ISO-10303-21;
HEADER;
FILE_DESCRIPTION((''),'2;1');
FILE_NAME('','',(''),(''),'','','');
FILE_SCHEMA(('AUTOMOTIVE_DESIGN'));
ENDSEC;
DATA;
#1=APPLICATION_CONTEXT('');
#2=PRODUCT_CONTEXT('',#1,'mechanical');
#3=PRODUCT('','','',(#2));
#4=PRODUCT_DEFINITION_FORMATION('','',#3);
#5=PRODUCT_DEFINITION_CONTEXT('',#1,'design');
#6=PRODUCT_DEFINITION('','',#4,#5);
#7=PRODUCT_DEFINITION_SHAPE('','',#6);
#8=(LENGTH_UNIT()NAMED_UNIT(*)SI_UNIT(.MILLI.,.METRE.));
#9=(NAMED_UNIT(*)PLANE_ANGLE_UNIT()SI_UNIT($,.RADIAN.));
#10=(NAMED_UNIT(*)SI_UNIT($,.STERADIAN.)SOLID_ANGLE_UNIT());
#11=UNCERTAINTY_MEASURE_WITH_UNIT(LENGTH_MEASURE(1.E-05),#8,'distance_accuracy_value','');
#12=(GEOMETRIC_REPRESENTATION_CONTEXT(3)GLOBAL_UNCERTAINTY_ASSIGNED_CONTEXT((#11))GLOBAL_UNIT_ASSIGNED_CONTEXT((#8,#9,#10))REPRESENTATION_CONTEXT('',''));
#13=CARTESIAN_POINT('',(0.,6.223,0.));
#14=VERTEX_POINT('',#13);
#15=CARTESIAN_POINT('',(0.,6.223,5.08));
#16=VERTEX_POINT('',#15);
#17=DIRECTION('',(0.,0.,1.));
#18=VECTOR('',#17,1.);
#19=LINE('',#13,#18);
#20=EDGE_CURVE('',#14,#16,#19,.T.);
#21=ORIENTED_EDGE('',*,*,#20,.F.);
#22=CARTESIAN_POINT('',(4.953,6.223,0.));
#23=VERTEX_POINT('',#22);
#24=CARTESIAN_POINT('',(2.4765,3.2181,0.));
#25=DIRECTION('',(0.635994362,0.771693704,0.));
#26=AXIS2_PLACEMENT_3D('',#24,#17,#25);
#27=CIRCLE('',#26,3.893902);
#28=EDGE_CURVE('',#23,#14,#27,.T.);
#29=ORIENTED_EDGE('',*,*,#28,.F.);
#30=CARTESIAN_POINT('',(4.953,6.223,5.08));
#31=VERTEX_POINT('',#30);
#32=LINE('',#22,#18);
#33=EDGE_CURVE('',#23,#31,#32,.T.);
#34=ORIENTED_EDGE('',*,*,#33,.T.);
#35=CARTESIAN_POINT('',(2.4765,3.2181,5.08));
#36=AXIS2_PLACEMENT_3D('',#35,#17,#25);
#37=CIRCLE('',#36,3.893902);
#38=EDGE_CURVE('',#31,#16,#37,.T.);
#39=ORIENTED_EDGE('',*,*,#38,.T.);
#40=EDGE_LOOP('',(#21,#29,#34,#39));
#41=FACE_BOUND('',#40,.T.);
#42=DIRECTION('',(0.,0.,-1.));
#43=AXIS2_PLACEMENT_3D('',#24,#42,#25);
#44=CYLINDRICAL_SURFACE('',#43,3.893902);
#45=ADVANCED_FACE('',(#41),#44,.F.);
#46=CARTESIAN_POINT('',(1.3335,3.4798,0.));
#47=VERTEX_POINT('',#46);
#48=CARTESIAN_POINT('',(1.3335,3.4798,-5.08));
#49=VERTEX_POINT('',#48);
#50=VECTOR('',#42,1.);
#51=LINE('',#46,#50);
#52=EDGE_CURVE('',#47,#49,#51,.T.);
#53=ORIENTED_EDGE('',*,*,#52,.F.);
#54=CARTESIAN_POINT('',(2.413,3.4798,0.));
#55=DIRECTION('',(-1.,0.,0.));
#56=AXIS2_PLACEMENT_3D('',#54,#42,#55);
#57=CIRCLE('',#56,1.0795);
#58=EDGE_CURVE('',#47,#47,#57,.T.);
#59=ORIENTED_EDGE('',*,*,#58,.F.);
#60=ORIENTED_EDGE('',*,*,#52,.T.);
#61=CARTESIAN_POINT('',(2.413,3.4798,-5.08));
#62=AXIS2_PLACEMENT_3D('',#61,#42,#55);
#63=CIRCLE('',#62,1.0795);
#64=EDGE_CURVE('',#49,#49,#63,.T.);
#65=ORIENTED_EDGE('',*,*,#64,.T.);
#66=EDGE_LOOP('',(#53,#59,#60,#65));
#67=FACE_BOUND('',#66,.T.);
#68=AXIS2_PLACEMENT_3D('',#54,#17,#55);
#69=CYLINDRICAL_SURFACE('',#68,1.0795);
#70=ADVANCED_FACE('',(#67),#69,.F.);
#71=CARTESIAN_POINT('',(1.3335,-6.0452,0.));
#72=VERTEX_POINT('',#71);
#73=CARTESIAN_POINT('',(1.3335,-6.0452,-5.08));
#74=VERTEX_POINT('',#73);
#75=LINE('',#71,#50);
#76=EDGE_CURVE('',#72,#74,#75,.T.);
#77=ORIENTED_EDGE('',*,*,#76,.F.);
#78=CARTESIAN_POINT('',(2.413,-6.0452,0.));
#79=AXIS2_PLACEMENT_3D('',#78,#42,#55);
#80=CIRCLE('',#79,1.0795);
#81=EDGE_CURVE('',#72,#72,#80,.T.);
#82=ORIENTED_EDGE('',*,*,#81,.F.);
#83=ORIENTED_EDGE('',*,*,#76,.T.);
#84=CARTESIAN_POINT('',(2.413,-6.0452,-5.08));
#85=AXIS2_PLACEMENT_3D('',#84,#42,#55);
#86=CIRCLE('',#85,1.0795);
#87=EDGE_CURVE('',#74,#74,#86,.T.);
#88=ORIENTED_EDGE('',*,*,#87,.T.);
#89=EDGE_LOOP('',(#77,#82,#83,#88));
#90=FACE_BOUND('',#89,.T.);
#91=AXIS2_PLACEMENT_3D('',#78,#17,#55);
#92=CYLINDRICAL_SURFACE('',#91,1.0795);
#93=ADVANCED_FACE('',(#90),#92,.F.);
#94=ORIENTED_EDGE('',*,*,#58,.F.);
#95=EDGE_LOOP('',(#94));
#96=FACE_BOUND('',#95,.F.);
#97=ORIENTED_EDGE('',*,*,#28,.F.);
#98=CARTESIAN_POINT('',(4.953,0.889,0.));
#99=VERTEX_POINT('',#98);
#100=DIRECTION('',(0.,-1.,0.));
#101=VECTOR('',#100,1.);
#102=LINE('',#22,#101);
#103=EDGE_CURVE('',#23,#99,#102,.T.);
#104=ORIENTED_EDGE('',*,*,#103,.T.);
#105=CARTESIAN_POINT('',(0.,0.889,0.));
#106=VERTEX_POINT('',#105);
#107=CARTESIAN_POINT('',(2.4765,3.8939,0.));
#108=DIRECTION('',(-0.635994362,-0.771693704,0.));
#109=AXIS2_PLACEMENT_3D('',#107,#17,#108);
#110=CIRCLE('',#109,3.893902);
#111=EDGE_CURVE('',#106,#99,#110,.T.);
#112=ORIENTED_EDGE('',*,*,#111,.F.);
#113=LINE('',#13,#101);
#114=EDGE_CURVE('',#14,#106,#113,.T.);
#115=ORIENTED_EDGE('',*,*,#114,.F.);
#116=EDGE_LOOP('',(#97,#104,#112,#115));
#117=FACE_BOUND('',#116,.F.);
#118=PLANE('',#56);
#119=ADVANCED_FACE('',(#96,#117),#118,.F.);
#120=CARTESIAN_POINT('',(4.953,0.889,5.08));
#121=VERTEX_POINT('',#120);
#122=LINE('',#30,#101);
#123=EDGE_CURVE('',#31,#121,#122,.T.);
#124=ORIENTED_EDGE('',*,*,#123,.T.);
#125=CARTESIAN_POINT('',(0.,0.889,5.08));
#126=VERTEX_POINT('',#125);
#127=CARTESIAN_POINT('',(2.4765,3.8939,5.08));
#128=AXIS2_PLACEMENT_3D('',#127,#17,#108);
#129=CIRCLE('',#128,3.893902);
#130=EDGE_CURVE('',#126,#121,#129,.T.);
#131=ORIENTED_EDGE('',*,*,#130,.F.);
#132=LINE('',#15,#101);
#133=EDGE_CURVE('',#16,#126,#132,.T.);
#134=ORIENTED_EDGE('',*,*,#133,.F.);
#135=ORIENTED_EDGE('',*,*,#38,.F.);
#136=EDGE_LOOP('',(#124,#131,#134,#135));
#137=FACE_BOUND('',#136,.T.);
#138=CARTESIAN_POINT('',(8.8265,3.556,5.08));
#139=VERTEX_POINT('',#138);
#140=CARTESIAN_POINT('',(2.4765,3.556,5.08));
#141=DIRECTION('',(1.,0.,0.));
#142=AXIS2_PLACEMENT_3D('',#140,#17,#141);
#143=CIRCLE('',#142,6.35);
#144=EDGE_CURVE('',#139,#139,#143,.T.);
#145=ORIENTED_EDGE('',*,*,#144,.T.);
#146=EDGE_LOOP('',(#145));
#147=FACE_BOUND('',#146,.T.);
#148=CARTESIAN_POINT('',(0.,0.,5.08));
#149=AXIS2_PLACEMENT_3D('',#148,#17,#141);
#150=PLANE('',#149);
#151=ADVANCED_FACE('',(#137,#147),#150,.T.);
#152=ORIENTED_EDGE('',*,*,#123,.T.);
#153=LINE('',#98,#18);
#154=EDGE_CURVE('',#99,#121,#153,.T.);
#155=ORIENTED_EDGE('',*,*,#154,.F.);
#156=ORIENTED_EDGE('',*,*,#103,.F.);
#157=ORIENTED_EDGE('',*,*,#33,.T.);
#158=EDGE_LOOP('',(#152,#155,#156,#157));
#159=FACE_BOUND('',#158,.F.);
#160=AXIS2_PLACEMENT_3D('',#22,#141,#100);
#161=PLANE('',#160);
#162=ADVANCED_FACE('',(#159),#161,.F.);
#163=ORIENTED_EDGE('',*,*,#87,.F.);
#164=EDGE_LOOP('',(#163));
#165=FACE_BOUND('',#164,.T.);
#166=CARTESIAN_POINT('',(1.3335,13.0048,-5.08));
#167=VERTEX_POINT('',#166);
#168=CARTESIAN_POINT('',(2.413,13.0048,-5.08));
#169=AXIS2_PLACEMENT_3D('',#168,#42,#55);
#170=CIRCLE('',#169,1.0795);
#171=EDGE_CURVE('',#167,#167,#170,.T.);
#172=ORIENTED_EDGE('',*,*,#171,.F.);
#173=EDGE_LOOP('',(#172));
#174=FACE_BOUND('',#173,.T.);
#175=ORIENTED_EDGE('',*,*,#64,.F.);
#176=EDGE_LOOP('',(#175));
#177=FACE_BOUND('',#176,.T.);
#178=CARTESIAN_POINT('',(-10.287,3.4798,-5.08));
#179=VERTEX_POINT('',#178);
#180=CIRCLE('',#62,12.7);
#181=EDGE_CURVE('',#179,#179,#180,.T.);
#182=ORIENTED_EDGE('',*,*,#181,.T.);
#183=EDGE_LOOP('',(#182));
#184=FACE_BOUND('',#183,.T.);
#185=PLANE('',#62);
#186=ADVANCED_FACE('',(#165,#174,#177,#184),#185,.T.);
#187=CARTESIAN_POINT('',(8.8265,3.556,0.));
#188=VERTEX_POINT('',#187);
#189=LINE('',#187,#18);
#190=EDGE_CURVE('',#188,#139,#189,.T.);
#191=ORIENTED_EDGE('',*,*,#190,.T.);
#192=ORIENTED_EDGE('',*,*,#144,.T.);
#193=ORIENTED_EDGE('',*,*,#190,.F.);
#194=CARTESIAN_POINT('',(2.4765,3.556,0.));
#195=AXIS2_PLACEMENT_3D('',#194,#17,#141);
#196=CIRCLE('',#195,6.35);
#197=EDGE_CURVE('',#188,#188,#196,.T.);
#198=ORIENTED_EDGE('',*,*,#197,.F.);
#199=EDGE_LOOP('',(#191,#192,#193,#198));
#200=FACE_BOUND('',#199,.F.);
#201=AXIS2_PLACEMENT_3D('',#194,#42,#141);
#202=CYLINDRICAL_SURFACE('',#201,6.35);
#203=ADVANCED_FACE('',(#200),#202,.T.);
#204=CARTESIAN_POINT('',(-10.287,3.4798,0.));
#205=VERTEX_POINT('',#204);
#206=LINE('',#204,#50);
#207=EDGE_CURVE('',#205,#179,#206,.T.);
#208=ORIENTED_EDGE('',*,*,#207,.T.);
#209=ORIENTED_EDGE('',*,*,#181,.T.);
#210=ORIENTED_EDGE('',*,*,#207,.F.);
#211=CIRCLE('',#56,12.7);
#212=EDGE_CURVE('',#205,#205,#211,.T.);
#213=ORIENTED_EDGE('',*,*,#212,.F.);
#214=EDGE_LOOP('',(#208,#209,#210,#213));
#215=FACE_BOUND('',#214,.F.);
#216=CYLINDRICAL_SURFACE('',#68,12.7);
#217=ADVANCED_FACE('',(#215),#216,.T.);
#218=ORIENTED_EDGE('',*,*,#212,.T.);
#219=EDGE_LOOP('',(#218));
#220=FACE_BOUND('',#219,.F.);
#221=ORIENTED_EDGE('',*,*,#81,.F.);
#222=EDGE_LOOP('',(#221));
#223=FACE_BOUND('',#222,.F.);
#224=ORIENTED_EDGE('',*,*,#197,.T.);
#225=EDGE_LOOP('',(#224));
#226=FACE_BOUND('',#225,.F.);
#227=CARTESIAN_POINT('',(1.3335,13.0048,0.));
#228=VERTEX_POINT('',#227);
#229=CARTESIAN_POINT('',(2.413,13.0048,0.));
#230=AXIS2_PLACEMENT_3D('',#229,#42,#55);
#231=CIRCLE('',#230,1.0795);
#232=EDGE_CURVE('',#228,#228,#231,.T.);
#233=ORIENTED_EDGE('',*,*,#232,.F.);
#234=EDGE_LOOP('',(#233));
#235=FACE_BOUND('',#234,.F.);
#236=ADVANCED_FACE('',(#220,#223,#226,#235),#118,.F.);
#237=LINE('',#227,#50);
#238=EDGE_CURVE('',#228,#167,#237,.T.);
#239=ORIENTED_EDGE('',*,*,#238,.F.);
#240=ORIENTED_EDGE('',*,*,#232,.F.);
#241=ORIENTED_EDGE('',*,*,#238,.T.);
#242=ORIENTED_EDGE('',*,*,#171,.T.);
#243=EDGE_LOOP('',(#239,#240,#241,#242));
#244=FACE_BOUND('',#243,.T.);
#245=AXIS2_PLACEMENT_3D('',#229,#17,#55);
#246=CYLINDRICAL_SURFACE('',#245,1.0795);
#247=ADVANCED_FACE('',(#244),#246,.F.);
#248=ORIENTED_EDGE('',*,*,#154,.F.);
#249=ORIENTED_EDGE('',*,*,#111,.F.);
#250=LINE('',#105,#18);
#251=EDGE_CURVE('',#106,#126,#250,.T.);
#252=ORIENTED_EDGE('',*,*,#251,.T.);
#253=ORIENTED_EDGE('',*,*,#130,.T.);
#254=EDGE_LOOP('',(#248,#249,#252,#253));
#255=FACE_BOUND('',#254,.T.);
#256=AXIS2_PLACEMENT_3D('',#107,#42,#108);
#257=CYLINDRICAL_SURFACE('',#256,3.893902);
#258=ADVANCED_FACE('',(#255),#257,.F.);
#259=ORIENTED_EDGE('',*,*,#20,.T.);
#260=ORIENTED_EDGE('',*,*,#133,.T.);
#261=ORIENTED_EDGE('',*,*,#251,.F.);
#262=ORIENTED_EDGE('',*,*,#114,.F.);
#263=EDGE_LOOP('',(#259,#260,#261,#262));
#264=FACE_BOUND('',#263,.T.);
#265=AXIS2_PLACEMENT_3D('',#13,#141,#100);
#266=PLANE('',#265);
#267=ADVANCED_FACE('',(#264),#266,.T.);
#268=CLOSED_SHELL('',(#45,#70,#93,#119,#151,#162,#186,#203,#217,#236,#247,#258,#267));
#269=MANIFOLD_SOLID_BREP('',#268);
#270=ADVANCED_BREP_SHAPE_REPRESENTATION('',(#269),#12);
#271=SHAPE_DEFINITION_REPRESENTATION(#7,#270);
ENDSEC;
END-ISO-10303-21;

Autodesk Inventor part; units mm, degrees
ref_plane "YZ Plane" through (0, 0, 0) normal (1, 0, 0) x (0, 1, 0)
ref_plane "XZ Plane" through (0, 0, 0) normal (0, 1, 0) x (-1, 0, 0)
ref_plane "XY Plane" through (0, 0, 0) normal (0, 0, 1) x (1, 0, 0)
sketch "Sketch1" plane through (0, 0, 0) normal (0, 0, 1) x (1, 0, 0)
  arc A0 (4.953, 6.223) -> (0, 6.223) centre (2.4765, 3.2181) ccw
  arc A1 (0, 0.889) -> (4.953, 0.889) centre (2.4765, 3.8939) ccw
  line L0 (0, 6.223) -> (0, 0.889)
  line L1 (4.953, 6.223) -> (4.953, 0.889)
  circle A2 centre (2.4765, 3.556) radius 6.35
  dimension "d26" = 12.7
  dimension "d27" = 5.334
  dimension "d28" = 4.953
  dimension "d29" = 3.8939
  dimension "d30" = 3.8939
  dimension "d31" = 5.334
  dimension "d32" = 2.794
  dimension "d33" = 0.3379
  dimension "d34" = 2.4765
  dimension "d35" = 2.4765
extrude "Extrusion1" add sketch "Sketch1" along normal blind 5.08
sketch "Sketch2" plane through (2.413, 3.4798, 0) normal (0, 0, -1) x (-1, 0, 0)
  circle A0 centre (0, 0) radius 12.7
  circle A1 centre (0, 0) radius 1.0795
  circle A2 centre (0, 0) radius 6.35 projected
  circle A3 centre (0, 9.525) radius 1.0795
  circle A4 centre (0, -9.525) radius 1.0795
  point P0 (2.413, -3.4798)
  dimension "d16" = 25.4
  dimension "d17" = 2.159
  dimension "d18" = 2.159
  dimension "d19" = 2.159
extrude "Extrusion2" add sketch "Sketch2" along normal blind 5.08 contours A0 | A2
properties part number "Zoetrope_Motor_Connector v3"
